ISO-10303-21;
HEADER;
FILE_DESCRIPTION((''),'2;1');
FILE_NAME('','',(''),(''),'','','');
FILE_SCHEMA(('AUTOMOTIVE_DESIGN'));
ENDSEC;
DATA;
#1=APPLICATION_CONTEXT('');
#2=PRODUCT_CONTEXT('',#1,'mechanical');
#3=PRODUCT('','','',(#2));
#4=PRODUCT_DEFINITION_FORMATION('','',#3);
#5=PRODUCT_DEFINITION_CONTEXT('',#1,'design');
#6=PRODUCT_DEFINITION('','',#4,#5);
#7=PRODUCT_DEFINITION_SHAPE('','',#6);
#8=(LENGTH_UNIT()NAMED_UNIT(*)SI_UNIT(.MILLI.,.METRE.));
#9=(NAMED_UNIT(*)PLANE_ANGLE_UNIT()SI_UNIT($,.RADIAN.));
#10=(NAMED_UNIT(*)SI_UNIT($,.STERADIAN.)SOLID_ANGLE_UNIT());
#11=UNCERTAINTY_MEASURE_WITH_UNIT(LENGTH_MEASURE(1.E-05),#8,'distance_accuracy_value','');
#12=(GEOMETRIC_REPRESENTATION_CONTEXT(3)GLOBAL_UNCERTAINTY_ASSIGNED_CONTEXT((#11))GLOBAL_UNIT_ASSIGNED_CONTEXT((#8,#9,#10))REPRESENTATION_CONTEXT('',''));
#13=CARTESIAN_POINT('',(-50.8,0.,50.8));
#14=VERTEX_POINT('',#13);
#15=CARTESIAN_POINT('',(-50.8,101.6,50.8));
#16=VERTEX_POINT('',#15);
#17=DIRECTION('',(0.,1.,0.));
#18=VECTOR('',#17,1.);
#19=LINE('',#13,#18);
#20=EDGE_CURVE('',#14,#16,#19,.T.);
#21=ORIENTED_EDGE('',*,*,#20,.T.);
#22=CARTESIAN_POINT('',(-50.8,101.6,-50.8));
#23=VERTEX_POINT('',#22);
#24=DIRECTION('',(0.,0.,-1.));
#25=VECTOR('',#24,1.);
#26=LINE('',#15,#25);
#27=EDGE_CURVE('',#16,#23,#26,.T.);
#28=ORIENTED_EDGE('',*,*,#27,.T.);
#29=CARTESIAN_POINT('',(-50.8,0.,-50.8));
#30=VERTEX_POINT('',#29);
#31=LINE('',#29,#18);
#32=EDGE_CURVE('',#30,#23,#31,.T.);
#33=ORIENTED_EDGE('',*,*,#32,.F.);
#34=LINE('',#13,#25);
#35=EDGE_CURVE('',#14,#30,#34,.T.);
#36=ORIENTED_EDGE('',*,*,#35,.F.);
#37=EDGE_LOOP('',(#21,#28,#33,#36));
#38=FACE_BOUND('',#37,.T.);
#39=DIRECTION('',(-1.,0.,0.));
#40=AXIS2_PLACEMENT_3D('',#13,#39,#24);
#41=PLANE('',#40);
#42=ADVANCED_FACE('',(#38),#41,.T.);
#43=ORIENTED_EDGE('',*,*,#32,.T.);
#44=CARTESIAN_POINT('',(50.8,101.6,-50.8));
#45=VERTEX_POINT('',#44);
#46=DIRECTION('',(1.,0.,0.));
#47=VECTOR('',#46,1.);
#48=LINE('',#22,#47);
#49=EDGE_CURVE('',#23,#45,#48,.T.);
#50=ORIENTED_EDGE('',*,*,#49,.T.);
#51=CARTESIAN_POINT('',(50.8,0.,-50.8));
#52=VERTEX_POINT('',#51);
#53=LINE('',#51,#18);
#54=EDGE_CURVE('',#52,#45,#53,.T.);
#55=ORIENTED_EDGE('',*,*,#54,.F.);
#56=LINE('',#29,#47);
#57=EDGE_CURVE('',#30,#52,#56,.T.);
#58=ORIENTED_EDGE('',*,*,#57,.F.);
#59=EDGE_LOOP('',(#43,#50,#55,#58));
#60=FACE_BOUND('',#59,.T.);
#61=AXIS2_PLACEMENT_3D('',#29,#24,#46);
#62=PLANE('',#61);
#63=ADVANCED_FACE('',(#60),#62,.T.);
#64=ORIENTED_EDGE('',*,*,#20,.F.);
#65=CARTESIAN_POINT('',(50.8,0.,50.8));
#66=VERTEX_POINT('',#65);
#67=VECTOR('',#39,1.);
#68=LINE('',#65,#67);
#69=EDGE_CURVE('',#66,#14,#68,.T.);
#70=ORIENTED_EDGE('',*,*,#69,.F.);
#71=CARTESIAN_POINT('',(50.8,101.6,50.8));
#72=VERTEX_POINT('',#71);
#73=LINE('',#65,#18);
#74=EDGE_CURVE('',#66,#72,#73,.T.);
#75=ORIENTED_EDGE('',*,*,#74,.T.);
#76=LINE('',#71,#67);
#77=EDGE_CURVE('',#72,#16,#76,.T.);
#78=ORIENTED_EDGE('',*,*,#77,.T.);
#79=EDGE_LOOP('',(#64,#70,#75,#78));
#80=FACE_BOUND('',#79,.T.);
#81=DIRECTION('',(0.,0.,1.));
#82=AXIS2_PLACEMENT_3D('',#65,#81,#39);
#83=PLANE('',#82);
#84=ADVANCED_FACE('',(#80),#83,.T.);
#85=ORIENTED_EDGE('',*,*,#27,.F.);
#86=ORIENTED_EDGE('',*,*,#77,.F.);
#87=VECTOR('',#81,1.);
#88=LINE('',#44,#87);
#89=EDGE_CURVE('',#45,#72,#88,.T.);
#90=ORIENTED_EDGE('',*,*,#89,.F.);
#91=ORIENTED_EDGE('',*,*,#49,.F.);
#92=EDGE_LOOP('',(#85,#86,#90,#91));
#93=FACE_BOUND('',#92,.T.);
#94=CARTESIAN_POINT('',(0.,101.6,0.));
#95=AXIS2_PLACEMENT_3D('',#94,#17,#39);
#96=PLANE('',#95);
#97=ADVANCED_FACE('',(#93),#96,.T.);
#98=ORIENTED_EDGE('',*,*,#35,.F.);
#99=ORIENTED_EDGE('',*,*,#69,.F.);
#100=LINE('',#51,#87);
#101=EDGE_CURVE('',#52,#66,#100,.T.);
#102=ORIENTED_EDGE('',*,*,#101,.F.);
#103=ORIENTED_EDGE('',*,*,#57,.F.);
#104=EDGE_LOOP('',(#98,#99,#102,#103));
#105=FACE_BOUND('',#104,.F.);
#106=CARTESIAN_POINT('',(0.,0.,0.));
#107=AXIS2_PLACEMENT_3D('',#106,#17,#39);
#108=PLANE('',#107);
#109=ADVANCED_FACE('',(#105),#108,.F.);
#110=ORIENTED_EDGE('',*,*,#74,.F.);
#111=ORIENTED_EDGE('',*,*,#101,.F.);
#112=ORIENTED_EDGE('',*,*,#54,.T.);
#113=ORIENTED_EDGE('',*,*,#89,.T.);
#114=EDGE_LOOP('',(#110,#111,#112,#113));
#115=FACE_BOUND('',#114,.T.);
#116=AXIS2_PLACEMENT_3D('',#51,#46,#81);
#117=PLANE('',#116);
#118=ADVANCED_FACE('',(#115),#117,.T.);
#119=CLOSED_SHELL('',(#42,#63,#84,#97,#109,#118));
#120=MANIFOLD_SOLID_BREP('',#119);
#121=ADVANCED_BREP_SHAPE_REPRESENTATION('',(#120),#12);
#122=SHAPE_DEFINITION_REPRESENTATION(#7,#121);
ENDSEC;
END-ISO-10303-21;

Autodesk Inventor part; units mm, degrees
ref_plane "YZ Plane" through (0, 0, 0) normal (1, 0, 0) x (0, 1, 0)
ref_plane "XZ Plane" through (0, 0, 0) normal (0, 1, 0) x (-1, 0, 0)
ref_plane "XY Plane" through (0, 0, 0) normal (0, 0, 1) x (1, 0, 0)
sketch "Sketch1" plane through (0, 0, 0) normal (0, 1, 0) x (-1, 0, 0)
  line L0 (-50.8, 50.8) -> (50.8, 50.8)
  line L1 (50.8, 50.8) -> (50.8, -50.8)
  line L2 (50.8, -50.8) -> (-50.8, -50.8)
  line L3 (-50.8, -50.8) -> (-50.8, 50.8)
  line L4 (-50.8, 50.8) -> (50.8, -50.8) construction
  line L5 (50.8, 50.8) -> (-50.8, -50.8) construction
  point P0 (0, 0)
  dimension "d0" = 101.6
  dimension "d1" = 101.6
extrude "Extrusion1" add sketch "Sketch1" along normal blind 101.6
properties part number "BX11111"
